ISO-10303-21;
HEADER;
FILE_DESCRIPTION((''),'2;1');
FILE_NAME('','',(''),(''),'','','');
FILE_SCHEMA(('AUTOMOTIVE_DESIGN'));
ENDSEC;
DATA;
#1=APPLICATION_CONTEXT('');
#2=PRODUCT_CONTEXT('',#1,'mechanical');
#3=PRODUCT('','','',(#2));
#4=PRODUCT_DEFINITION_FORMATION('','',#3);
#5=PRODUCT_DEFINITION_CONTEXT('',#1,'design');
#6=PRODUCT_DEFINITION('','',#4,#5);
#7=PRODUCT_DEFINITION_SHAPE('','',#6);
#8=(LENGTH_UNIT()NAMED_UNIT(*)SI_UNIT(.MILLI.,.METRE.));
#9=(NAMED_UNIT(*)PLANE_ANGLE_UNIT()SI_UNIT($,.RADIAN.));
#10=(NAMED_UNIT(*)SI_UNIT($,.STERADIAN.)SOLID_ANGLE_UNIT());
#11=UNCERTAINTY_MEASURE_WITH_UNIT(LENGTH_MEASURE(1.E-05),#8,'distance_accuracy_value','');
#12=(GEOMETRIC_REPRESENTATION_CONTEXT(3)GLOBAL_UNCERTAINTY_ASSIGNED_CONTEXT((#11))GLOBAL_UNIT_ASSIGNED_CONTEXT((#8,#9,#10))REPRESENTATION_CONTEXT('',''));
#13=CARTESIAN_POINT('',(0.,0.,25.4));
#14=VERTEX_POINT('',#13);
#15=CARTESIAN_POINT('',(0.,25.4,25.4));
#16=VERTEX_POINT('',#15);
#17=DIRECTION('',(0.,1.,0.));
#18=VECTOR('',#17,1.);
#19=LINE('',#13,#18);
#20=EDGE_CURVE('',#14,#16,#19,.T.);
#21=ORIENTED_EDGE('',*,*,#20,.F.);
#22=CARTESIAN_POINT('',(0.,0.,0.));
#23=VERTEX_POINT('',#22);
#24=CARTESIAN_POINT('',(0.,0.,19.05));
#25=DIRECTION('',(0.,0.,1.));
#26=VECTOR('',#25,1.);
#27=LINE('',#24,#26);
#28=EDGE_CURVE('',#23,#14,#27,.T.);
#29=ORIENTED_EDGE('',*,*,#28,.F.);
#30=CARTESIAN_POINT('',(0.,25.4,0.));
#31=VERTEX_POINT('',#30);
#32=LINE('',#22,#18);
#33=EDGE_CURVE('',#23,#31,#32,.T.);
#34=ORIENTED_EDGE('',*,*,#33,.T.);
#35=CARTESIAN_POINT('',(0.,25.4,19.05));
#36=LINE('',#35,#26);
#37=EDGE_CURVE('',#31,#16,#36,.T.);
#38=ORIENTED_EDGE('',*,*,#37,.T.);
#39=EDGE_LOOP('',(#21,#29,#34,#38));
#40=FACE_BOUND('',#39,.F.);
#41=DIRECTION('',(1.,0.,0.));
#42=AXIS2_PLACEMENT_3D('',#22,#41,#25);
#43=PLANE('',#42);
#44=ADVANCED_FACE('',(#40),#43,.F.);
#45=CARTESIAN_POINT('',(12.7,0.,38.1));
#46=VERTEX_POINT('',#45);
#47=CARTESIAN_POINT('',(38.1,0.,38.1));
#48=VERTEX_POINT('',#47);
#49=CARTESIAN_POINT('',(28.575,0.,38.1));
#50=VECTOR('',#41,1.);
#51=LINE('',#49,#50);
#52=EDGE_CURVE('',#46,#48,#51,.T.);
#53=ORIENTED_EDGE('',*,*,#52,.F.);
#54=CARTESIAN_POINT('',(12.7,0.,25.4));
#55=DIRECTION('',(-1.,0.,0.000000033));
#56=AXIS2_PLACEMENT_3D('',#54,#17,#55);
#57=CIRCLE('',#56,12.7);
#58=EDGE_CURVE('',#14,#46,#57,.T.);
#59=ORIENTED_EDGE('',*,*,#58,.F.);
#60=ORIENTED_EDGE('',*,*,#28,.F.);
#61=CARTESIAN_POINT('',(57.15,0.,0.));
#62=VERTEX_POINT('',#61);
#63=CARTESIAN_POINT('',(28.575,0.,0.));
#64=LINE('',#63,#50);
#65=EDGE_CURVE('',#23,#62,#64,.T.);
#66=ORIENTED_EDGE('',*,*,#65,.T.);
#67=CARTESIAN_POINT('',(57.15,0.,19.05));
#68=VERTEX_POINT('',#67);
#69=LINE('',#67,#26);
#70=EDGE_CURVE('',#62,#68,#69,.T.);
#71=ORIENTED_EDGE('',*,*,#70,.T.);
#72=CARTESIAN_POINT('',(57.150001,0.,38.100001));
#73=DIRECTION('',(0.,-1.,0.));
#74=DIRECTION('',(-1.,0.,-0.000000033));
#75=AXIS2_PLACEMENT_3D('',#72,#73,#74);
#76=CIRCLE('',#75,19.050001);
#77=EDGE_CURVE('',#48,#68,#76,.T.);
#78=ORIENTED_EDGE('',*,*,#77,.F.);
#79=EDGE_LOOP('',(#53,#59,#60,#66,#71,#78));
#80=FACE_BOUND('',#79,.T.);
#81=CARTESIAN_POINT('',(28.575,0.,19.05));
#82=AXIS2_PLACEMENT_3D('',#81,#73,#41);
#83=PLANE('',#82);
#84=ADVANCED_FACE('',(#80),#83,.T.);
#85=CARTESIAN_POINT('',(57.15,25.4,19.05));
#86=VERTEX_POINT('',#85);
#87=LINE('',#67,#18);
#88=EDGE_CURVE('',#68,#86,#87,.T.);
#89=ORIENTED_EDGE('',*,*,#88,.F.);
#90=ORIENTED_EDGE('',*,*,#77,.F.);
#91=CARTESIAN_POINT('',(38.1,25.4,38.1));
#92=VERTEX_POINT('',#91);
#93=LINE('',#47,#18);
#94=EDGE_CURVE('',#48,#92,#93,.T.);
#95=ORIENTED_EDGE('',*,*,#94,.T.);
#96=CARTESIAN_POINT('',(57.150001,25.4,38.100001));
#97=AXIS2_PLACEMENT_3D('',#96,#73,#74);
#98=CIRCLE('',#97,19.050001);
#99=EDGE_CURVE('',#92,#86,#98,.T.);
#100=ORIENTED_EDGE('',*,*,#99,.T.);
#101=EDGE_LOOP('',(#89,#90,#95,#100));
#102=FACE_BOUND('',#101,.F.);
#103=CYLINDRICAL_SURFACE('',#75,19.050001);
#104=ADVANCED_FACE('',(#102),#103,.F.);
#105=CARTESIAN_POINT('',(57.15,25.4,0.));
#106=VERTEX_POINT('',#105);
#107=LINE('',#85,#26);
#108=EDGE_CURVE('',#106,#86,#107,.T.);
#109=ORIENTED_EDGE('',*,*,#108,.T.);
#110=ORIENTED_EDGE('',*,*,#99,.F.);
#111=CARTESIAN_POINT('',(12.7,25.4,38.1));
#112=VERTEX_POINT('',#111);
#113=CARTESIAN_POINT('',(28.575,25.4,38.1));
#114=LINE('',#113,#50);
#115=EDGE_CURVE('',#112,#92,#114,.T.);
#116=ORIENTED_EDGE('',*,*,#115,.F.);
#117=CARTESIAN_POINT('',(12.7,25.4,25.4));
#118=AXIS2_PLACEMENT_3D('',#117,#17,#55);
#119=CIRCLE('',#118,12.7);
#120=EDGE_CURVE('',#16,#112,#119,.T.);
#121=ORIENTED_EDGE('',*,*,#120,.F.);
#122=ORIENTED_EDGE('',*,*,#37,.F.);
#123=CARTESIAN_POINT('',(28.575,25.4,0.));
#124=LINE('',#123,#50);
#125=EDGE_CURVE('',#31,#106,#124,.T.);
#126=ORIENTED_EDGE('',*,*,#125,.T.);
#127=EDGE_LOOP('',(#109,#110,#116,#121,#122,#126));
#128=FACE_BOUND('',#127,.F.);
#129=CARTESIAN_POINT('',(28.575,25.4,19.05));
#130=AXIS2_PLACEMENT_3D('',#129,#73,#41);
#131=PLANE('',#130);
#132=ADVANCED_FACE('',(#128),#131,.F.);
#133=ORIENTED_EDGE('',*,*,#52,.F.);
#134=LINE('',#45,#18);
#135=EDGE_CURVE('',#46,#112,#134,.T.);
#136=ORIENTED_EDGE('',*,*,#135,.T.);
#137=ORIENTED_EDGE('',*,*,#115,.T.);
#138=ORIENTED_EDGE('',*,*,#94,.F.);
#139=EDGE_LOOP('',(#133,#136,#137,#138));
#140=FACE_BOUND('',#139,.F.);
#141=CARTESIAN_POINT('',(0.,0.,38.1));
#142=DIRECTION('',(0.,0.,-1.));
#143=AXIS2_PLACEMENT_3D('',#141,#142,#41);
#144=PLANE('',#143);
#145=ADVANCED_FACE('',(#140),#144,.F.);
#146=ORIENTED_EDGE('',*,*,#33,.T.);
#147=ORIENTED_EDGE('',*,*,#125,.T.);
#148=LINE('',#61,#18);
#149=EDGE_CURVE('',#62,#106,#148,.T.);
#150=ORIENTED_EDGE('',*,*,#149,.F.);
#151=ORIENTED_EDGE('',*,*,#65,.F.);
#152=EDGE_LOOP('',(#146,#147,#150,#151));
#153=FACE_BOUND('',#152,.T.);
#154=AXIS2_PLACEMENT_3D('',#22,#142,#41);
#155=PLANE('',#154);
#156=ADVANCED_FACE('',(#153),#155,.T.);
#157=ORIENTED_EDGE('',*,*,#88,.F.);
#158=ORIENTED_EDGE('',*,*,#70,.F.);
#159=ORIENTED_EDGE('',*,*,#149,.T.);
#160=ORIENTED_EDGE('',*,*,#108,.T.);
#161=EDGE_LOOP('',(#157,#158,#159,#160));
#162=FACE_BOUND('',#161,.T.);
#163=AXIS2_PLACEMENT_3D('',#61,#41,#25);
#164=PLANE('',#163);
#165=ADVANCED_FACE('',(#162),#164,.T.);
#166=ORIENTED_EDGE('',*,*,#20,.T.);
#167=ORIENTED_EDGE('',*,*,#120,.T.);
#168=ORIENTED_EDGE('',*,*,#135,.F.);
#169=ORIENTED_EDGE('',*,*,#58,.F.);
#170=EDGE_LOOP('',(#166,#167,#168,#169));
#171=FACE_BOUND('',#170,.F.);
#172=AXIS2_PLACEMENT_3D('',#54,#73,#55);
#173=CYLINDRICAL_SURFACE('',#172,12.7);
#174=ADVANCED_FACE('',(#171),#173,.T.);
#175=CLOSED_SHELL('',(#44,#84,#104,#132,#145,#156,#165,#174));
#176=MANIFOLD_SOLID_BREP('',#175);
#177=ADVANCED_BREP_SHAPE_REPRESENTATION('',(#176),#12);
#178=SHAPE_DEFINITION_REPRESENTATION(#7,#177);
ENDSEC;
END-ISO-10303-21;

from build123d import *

# Parameters (mm, degrees)
F0_W     = 57.15
F0_H     = 38.1
F1_DEPTH = 25.4
F3_DEPTH = 25.4
F5_DEPTH = 25.4


with BuildPart() as f1:
    # F0 (on Front) → F1 (new body)
    with BuildSketch(Plane.XZ):
        with Locations((28.575, 19.05)):
            Rectangle(F0_W, F0_H)
    extrude(amount=-F1_DEPTH)

    # F2 (on Front) → F3 (cut)
    with BuildSketch(Plane.XZ):
        with BuildLine():
            Line((57.15, 38.1), (38.1, 38.1))
            ThreePointArc((38.1, 38.1), (43.679616, 24.629616), (57.15, 19.05))
            Line((57.15, 19.05), (57.15, 38.1))
        make_face()
    extrude(amount=-F3_DEPTH, mode=Mode.SUBTRACT)

    # F4 (on Front) → F5 (cut)
    with BuildSketch(Plane.XZ):
        with BuildLine():
            ThreePointArc((0, 25.4), (3.719744, 34.380256), (12.7, 38.1))
            Line((12.7, 38.1), (0, 38.1))
            Line((0, 38.1), (0, 25.4))
        make_face()
    extrude(amount=-F5_DEPTH, mode=Mode.SUBTRACT)


solid = f1.part
